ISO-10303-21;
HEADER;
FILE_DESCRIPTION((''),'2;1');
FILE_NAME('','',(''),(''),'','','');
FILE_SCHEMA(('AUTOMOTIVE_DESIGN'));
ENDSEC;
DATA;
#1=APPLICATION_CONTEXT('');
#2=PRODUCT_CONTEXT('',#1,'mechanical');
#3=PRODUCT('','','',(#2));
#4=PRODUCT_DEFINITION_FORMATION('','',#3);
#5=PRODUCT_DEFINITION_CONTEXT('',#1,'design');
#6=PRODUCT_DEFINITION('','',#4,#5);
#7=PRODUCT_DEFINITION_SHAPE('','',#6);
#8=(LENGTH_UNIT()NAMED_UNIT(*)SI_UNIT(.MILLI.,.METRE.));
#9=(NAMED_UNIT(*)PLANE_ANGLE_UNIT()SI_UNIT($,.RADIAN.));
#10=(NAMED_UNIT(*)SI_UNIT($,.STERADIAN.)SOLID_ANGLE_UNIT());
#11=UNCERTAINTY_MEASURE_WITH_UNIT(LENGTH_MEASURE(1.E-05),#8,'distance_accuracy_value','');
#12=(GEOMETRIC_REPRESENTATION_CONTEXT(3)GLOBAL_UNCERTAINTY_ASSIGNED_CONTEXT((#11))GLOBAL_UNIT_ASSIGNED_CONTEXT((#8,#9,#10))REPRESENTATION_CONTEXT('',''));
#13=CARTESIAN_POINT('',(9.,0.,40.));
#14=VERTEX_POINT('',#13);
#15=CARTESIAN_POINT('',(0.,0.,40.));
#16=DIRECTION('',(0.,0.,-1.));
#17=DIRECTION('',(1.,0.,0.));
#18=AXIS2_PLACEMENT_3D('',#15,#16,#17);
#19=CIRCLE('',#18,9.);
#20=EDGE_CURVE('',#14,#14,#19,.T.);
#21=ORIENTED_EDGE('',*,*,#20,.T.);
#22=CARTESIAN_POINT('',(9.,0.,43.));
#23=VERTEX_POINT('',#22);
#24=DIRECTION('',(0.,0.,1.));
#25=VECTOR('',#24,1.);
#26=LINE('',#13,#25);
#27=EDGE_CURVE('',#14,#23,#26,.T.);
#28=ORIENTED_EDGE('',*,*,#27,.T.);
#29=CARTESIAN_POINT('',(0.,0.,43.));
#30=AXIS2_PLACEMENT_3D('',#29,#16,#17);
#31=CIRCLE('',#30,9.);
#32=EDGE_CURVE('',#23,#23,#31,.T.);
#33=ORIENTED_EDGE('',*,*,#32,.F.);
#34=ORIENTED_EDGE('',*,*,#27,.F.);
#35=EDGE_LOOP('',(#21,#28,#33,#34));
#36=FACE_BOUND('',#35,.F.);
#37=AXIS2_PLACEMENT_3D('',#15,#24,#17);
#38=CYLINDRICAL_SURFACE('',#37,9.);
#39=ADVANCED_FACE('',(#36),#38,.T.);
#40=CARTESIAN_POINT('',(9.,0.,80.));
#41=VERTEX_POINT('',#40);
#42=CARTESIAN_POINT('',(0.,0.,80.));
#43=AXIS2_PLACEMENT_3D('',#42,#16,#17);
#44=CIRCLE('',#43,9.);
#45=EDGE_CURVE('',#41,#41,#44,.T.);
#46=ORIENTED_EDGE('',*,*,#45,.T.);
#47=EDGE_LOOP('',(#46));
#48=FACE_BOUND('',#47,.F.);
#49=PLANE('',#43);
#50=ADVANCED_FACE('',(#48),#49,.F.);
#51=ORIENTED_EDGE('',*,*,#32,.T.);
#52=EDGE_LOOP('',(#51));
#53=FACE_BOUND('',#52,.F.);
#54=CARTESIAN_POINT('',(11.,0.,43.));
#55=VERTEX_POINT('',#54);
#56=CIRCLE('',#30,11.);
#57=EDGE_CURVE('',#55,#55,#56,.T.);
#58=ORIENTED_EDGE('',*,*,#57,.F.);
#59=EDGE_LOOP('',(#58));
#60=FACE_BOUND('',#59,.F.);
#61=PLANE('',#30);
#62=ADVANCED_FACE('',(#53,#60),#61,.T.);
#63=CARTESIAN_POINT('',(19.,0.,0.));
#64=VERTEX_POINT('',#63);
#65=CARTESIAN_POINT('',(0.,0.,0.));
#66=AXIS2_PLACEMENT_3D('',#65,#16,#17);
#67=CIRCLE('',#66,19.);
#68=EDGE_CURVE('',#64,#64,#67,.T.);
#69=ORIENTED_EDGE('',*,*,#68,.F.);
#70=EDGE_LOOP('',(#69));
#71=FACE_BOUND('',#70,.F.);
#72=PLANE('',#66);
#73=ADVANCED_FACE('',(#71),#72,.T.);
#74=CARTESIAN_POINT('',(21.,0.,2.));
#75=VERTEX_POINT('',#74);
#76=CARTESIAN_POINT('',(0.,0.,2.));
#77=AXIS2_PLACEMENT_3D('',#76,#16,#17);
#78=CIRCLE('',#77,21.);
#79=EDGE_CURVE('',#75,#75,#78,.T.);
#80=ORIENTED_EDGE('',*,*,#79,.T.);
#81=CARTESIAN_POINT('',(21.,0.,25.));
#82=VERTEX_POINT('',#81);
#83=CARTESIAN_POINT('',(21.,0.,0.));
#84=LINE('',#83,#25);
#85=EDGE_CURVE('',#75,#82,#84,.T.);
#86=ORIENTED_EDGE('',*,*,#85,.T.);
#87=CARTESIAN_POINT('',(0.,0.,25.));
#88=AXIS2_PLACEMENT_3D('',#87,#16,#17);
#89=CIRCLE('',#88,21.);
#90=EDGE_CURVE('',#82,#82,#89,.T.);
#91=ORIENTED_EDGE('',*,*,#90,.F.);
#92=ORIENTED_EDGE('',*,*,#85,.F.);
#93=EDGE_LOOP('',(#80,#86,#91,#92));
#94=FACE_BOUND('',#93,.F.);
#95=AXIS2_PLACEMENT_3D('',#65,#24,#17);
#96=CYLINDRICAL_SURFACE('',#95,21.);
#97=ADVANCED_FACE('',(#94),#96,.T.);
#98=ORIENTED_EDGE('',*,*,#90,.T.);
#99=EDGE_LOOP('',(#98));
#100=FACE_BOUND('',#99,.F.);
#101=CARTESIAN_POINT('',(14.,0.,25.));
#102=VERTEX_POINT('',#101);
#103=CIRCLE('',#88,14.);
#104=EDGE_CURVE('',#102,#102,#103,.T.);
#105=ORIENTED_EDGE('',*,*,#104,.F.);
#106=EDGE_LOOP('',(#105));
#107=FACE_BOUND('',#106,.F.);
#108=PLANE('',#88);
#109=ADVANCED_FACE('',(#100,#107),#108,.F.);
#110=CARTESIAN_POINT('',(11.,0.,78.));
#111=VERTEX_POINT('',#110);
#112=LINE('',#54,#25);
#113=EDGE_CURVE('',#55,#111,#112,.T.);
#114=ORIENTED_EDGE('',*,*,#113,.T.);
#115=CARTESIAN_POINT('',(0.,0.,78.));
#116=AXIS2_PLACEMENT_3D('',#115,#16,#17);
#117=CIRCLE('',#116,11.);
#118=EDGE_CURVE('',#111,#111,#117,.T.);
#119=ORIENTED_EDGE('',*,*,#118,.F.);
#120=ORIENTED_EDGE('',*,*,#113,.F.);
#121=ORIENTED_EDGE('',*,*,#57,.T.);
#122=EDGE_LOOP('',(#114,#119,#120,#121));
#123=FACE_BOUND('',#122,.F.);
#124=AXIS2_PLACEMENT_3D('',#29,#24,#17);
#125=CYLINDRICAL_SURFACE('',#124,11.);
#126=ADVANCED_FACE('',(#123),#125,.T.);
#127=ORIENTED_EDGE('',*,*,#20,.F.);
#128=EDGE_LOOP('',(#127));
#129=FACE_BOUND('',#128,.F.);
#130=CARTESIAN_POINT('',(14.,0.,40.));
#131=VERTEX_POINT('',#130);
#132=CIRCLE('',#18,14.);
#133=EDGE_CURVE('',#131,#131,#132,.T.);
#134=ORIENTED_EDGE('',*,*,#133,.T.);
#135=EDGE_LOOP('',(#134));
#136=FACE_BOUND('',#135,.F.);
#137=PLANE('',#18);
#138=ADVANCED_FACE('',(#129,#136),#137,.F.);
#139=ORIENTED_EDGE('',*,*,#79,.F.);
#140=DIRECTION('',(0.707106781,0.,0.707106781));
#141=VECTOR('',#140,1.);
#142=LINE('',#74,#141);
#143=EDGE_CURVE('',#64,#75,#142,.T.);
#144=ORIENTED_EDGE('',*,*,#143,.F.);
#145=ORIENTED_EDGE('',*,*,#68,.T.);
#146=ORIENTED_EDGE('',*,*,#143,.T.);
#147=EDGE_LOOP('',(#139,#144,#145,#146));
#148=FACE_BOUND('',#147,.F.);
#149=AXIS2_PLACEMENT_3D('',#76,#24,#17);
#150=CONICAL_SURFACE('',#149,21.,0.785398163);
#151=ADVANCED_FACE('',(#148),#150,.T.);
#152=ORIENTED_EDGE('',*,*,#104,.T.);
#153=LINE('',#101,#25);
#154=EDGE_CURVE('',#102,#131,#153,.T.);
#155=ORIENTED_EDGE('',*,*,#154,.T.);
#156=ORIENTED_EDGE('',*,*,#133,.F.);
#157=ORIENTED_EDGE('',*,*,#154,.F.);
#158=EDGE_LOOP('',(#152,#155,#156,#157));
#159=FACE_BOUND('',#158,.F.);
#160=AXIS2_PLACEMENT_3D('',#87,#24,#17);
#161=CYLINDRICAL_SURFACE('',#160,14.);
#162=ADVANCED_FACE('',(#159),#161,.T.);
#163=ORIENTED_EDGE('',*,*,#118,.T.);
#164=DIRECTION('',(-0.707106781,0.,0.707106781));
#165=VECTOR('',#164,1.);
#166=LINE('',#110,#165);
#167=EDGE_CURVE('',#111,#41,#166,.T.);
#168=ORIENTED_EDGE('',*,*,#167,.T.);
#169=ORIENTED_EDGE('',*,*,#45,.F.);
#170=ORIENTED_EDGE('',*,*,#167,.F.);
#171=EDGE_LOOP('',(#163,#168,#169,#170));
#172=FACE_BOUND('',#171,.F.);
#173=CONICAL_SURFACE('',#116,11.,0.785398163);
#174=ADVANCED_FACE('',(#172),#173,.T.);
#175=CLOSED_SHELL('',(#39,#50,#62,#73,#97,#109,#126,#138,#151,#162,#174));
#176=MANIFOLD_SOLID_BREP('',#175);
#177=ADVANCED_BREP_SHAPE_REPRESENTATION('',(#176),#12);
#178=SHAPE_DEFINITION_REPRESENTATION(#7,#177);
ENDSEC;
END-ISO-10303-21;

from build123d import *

# Parameters (mm, degrees)
F2_SIZE2 = 2
F2_SIZE  = 2


with BuildPart() as f1:
    # F0 (on Front) → F1 (revolve)
    with BuildSketch(Plane.XZ):
        Polygon((0, 80), (0, 0), (21, 0), (21, 25), (14, 25), (14, 40), (9, 40), (9, 43), (11, 43), (11, 80), align=None)
    revolve(axis=Axis((0, 0, 40), (0, 0, -1)))

    # F2
    f2_edges = [f1.edges().sort_by_distance(p)[0] for p in [
        (-11, 0, 80),
        (-21, 0, 0),
    ]]
    chamfer(f2_edges, length=F2_SIZE, length2=F2_SIZE2)


solid = f1.part
